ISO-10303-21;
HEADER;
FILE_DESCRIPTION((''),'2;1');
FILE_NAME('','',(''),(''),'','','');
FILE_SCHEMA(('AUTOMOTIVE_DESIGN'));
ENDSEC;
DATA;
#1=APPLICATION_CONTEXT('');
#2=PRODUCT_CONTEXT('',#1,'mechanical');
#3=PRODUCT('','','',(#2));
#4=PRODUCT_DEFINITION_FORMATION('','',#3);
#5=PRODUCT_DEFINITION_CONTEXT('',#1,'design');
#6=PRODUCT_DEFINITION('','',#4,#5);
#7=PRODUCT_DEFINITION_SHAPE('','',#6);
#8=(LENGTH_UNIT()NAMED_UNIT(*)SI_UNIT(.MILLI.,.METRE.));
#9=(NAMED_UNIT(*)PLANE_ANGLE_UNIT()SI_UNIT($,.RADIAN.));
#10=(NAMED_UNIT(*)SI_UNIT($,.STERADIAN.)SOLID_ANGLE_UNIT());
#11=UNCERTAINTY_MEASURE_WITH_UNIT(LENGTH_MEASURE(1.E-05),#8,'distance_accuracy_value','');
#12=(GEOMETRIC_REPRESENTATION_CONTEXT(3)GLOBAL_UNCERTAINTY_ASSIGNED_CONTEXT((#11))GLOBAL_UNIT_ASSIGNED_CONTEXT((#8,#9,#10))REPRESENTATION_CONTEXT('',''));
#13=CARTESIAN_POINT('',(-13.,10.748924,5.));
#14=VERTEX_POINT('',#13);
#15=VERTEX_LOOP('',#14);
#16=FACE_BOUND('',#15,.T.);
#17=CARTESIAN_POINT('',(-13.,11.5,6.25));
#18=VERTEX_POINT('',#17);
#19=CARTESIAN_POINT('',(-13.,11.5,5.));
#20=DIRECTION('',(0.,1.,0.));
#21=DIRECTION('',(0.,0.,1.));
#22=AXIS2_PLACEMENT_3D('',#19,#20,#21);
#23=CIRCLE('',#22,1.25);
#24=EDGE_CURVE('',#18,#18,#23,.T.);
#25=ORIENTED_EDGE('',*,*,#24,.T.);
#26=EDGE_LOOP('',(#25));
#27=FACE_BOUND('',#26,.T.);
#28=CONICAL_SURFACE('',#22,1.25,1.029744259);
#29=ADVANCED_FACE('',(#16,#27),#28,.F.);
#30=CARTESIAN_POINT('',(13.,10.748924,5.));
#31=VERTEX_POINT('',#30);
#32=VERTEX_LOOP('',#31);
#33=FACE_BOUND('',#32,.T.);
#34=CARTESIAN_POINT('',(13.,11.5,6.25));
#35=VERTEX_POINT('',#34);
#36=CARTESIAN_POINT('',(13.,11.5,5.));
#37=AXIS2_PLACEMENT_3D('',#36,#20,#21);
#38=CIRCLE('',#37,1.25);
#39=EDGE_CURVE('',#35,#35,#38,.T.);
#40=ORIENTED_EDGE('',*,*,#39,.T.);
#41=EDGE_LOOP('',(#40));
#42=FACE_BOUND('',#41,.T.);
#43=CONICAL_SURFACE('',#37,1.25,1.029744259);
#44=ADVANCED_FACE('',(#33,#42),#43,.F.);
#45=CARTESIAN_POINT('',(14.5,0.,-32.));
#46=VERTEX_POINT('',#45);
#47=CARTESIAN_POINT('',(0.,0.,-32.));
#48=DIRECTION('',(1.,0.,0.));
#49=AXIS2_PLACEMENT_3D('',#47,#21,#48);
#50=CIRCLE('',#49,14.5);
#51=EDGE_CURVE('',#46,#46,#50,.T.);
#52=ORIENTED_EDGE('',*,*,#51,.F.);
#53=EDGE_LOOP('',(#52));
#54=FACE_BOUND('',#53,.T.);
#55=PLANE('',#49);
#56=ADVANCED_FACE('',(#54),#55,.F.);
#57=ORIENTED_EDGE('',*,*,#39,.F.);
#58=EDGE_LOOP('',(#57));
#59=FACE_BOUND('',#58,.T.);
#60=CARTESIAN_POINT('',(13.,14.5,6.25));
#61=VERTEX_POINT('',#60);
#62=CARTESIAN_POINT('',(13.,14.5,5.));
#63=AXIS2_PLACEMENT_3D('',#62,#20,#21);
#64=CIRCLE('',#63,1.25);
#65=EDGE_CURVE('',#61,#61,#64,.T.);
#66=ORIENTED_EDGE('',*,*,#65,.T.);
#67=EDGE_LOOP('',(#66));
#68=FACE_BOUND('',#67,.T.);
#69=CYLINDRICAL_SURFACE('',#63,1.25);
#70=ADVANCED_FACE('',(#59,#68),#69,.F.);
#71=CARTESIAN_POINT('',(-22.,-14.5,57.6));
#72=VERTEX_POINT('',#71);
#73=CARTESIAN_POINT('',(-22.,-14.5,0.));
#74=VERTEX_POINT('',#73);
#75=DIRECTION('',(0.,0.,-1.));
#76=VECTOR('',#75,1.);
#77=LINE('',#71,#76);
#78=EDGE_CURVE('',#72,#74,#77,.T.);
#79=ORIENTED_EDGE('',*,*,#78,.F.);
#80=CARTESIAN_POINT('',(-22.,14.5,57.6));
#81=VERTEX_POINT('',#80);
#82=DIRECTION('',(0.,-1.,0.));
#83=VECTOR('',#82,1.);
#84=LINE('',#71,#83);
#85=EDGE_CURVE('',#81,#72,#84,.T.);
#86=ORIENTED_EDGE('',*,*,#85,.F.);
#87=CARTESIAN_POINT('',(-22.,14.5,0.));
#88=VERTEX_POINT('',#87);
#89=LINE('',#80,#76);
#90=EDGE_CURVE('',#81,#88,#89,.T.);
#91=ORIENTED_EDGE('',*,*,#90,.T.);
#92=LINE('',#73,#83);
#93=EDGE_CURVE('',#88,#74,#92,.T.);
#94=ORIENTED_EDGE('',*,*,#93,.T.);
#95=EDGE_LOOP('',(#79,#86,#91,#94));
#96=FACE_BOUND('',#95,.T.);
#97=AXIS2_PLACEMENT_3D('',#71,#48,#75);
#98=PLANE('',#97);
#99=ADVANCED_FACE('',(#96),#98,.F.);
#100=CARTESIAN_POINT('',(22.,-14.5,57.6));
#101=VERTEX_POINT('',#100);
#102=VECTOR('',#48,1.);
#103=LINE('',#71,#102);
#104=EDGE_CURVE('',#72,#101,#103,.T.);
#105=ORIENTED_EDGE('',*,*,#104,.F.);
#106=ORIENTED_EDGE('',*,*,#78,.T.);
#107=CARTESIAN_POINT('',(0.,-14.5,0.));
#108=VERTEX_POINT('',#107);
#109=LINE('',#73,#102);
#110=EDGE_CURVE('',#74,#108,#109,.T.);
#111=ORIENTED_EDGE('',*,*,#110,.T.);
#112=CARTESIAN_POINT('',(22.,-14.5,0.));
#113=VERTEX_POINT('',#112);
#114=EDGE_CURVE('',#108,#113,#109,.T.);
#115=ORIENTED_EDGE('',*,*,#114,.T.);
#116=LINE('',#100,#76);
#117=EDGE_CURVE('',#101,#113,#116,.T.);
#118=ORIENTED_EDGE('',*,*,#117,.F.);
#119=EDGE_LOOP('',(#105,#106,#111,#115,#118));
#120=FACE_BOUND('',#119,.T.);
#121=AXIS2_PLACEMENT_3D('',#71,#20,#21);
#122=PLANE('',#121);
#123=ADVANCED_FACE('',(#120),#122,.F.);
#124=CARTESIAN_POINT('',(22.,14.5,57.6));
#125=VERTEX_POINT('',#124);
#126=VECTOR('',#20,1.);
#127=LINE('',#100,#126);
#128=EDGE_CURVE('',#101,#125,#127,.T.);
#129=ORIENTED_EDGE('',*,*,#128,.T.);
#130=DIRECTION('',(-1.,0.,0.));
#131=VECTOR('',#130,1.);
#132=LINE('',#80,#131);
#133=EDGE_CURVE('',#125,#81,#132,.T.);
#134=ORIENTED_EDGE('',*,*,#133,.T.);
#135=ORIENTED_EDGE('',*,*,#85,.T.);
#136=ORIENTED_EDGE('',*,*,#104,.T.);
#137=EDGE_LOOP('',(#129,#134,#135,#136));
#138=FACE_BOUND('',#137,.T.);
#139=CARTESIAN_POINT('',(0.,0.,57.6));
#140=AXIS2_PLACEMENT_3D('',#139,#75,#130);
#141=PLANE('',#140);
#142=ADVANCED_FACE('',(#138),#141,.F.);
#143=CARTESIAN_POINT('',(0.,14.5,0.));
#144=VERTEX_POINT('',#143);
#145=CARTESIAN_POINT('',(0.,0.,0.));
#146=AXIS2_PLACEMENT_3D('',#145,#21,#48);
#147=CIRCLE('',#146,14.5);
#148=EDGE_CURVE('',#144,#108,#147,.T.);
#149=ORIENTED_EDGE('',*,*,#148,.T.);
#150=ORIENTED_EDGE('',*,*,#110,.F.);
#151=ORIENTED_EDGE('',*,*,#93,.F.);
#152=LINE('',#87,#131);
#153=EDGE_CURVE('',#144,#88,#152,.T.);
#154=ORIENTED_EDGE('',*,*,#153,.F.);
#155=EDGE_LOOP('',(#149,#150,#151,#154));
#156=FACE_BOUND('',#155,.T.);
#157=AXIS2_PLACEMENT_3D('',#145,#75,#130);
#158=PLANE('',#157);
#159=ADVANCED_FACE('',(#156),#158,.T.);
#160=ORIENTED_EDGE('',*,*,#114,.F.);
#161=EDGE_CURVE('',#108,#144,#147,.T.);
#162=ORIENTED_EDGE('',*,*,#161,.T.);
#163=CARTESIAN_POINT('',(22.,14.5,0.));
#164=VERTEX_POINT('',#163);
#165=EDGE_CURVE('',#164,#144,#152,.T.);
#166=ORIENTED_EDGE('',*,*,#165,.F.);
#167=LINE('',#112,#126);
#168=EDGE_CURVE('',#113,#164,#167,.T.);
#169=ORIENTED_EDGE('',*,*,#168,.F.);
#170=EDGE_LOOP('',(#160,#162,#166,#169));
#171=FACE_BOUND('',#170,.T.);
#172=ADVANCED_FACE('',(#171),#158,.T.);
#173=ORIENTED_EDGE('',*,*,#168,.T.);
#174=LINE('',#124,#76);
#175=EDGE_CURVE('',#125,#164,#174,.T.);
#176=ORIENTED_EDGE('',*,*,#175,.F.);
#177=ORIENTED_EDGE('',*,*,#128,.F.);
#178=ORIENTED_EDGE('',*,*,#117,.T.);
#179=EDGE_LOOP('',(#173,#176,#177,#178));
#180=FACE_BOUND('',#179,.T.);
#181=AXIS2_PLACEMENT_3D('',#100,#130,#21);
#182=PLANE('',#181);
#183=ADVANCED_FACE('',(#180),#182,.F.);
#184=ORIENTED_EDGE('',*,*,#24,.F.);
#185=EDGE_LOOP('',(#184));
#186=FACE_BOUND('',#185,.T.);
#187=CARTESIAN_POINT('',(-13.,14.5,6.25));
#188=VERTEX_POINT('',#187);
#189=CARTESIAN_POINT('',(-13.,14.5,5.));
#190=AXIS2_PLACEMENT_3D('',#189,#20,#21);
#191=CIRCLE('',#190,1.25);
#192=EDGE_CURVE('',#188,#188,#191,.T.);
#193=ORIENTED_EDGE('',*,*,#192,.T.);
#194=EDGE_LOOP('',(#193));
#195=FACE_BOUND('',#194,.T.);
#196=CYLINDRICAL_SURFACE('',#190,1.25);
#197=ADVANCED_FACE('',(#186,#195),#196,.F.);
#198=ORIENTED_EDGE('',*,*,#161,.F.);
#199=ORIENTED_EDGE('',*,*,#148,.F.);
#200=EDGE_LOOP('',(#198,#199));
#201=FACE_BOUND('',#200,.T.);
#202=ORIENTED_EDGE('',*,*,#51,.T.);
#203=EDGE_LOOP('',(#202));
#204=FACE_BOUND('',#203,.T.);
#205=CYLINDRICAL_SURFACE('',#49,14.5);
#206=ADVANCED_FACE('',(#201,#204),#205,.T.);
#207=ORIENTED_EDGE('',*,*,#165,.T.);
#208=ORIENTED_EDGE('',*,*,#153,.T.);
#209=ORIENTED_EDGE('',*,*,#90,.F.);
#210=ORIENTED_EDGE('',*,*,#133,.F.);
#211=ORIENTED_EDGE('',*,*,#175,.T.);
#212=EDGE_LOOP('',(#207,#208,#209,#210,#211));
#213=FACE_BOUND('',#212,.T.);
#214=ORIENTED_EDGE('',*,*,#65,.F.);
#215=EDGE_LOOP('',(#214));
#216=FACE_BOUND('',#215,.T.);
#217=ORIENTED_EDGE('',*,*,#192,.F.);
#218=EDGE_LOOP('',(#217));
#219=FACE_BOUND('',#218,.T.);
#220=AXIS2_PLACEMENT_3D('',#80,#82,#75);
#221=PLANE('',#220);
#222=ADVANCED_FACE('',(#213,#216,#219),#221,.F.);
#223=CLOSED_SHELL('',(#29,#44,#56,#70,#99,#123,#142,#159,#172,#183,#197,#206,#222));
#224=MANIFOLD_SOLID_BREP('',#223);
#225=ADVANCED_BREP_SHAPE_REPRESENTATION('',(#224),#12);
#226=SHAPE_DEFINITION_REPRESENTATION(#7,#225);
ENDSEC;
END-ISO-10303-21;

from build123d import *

# Parameters (mm, degrees)
SKETCH1_W                 = 44
SKETCH1_H                 = 29
BOSS_EXTRUDE1_DEPTH       = 57.6
SKETCH2_R                 = 14.5
BOSS_EXTRUDE2_DEPTH       = 32
M3X0_5_TAPPED_HOLE1_D     = 2.5
M3X0_5_TAPPED_HOLE1_DEPTH = 3
M3X0_5_TAPPED_HOLE1_TIP   = 0.751075774


with BuildPart() as part:
    # Sketch1 → Boss-Extrude1 (new body)
    with BuildSketch(Plane.XY):
        Rectangle(SKETCH1_W, SKETCH1_H)
    extrude(amount=BOSS_EXTRUDE1_DEPTH)

    # Sketch2 → Boss-Extrude2 (add)
    with BuildSketch(Plane.XY):
        Circle(SKETCH2_R)
    extrude(amount=-BOSS_EXTRUDE2_DEPTH)

    # M3x0.5 Tapped Hole1
    with Locations(Plane(origin=(0, 14.5, 0), x_dir=(1, 0, 0), z_dir=(0, 1, 0))):
        with Locations((-13, -5), (13, -5)):
            Hole(M3X0_5_TAPPED_HOLE1_D / 2, depth=M3X0_5_TAPPED_HOLE1_DEPTH)
            with Locations((0, 0, -(M3X0_5_TAPPED_HOLE1_DEPTH + M3X0_5_TAPPED_HOLE1_TIP / 2))):  # 118° drill point
                Cone(0, M3X0_5_TAPPED_HOLE1_D / 2, M3X0_5_TAPPED_HOLE1_TIP, mode=Mode.SUBTRACT)


solid = part.part
